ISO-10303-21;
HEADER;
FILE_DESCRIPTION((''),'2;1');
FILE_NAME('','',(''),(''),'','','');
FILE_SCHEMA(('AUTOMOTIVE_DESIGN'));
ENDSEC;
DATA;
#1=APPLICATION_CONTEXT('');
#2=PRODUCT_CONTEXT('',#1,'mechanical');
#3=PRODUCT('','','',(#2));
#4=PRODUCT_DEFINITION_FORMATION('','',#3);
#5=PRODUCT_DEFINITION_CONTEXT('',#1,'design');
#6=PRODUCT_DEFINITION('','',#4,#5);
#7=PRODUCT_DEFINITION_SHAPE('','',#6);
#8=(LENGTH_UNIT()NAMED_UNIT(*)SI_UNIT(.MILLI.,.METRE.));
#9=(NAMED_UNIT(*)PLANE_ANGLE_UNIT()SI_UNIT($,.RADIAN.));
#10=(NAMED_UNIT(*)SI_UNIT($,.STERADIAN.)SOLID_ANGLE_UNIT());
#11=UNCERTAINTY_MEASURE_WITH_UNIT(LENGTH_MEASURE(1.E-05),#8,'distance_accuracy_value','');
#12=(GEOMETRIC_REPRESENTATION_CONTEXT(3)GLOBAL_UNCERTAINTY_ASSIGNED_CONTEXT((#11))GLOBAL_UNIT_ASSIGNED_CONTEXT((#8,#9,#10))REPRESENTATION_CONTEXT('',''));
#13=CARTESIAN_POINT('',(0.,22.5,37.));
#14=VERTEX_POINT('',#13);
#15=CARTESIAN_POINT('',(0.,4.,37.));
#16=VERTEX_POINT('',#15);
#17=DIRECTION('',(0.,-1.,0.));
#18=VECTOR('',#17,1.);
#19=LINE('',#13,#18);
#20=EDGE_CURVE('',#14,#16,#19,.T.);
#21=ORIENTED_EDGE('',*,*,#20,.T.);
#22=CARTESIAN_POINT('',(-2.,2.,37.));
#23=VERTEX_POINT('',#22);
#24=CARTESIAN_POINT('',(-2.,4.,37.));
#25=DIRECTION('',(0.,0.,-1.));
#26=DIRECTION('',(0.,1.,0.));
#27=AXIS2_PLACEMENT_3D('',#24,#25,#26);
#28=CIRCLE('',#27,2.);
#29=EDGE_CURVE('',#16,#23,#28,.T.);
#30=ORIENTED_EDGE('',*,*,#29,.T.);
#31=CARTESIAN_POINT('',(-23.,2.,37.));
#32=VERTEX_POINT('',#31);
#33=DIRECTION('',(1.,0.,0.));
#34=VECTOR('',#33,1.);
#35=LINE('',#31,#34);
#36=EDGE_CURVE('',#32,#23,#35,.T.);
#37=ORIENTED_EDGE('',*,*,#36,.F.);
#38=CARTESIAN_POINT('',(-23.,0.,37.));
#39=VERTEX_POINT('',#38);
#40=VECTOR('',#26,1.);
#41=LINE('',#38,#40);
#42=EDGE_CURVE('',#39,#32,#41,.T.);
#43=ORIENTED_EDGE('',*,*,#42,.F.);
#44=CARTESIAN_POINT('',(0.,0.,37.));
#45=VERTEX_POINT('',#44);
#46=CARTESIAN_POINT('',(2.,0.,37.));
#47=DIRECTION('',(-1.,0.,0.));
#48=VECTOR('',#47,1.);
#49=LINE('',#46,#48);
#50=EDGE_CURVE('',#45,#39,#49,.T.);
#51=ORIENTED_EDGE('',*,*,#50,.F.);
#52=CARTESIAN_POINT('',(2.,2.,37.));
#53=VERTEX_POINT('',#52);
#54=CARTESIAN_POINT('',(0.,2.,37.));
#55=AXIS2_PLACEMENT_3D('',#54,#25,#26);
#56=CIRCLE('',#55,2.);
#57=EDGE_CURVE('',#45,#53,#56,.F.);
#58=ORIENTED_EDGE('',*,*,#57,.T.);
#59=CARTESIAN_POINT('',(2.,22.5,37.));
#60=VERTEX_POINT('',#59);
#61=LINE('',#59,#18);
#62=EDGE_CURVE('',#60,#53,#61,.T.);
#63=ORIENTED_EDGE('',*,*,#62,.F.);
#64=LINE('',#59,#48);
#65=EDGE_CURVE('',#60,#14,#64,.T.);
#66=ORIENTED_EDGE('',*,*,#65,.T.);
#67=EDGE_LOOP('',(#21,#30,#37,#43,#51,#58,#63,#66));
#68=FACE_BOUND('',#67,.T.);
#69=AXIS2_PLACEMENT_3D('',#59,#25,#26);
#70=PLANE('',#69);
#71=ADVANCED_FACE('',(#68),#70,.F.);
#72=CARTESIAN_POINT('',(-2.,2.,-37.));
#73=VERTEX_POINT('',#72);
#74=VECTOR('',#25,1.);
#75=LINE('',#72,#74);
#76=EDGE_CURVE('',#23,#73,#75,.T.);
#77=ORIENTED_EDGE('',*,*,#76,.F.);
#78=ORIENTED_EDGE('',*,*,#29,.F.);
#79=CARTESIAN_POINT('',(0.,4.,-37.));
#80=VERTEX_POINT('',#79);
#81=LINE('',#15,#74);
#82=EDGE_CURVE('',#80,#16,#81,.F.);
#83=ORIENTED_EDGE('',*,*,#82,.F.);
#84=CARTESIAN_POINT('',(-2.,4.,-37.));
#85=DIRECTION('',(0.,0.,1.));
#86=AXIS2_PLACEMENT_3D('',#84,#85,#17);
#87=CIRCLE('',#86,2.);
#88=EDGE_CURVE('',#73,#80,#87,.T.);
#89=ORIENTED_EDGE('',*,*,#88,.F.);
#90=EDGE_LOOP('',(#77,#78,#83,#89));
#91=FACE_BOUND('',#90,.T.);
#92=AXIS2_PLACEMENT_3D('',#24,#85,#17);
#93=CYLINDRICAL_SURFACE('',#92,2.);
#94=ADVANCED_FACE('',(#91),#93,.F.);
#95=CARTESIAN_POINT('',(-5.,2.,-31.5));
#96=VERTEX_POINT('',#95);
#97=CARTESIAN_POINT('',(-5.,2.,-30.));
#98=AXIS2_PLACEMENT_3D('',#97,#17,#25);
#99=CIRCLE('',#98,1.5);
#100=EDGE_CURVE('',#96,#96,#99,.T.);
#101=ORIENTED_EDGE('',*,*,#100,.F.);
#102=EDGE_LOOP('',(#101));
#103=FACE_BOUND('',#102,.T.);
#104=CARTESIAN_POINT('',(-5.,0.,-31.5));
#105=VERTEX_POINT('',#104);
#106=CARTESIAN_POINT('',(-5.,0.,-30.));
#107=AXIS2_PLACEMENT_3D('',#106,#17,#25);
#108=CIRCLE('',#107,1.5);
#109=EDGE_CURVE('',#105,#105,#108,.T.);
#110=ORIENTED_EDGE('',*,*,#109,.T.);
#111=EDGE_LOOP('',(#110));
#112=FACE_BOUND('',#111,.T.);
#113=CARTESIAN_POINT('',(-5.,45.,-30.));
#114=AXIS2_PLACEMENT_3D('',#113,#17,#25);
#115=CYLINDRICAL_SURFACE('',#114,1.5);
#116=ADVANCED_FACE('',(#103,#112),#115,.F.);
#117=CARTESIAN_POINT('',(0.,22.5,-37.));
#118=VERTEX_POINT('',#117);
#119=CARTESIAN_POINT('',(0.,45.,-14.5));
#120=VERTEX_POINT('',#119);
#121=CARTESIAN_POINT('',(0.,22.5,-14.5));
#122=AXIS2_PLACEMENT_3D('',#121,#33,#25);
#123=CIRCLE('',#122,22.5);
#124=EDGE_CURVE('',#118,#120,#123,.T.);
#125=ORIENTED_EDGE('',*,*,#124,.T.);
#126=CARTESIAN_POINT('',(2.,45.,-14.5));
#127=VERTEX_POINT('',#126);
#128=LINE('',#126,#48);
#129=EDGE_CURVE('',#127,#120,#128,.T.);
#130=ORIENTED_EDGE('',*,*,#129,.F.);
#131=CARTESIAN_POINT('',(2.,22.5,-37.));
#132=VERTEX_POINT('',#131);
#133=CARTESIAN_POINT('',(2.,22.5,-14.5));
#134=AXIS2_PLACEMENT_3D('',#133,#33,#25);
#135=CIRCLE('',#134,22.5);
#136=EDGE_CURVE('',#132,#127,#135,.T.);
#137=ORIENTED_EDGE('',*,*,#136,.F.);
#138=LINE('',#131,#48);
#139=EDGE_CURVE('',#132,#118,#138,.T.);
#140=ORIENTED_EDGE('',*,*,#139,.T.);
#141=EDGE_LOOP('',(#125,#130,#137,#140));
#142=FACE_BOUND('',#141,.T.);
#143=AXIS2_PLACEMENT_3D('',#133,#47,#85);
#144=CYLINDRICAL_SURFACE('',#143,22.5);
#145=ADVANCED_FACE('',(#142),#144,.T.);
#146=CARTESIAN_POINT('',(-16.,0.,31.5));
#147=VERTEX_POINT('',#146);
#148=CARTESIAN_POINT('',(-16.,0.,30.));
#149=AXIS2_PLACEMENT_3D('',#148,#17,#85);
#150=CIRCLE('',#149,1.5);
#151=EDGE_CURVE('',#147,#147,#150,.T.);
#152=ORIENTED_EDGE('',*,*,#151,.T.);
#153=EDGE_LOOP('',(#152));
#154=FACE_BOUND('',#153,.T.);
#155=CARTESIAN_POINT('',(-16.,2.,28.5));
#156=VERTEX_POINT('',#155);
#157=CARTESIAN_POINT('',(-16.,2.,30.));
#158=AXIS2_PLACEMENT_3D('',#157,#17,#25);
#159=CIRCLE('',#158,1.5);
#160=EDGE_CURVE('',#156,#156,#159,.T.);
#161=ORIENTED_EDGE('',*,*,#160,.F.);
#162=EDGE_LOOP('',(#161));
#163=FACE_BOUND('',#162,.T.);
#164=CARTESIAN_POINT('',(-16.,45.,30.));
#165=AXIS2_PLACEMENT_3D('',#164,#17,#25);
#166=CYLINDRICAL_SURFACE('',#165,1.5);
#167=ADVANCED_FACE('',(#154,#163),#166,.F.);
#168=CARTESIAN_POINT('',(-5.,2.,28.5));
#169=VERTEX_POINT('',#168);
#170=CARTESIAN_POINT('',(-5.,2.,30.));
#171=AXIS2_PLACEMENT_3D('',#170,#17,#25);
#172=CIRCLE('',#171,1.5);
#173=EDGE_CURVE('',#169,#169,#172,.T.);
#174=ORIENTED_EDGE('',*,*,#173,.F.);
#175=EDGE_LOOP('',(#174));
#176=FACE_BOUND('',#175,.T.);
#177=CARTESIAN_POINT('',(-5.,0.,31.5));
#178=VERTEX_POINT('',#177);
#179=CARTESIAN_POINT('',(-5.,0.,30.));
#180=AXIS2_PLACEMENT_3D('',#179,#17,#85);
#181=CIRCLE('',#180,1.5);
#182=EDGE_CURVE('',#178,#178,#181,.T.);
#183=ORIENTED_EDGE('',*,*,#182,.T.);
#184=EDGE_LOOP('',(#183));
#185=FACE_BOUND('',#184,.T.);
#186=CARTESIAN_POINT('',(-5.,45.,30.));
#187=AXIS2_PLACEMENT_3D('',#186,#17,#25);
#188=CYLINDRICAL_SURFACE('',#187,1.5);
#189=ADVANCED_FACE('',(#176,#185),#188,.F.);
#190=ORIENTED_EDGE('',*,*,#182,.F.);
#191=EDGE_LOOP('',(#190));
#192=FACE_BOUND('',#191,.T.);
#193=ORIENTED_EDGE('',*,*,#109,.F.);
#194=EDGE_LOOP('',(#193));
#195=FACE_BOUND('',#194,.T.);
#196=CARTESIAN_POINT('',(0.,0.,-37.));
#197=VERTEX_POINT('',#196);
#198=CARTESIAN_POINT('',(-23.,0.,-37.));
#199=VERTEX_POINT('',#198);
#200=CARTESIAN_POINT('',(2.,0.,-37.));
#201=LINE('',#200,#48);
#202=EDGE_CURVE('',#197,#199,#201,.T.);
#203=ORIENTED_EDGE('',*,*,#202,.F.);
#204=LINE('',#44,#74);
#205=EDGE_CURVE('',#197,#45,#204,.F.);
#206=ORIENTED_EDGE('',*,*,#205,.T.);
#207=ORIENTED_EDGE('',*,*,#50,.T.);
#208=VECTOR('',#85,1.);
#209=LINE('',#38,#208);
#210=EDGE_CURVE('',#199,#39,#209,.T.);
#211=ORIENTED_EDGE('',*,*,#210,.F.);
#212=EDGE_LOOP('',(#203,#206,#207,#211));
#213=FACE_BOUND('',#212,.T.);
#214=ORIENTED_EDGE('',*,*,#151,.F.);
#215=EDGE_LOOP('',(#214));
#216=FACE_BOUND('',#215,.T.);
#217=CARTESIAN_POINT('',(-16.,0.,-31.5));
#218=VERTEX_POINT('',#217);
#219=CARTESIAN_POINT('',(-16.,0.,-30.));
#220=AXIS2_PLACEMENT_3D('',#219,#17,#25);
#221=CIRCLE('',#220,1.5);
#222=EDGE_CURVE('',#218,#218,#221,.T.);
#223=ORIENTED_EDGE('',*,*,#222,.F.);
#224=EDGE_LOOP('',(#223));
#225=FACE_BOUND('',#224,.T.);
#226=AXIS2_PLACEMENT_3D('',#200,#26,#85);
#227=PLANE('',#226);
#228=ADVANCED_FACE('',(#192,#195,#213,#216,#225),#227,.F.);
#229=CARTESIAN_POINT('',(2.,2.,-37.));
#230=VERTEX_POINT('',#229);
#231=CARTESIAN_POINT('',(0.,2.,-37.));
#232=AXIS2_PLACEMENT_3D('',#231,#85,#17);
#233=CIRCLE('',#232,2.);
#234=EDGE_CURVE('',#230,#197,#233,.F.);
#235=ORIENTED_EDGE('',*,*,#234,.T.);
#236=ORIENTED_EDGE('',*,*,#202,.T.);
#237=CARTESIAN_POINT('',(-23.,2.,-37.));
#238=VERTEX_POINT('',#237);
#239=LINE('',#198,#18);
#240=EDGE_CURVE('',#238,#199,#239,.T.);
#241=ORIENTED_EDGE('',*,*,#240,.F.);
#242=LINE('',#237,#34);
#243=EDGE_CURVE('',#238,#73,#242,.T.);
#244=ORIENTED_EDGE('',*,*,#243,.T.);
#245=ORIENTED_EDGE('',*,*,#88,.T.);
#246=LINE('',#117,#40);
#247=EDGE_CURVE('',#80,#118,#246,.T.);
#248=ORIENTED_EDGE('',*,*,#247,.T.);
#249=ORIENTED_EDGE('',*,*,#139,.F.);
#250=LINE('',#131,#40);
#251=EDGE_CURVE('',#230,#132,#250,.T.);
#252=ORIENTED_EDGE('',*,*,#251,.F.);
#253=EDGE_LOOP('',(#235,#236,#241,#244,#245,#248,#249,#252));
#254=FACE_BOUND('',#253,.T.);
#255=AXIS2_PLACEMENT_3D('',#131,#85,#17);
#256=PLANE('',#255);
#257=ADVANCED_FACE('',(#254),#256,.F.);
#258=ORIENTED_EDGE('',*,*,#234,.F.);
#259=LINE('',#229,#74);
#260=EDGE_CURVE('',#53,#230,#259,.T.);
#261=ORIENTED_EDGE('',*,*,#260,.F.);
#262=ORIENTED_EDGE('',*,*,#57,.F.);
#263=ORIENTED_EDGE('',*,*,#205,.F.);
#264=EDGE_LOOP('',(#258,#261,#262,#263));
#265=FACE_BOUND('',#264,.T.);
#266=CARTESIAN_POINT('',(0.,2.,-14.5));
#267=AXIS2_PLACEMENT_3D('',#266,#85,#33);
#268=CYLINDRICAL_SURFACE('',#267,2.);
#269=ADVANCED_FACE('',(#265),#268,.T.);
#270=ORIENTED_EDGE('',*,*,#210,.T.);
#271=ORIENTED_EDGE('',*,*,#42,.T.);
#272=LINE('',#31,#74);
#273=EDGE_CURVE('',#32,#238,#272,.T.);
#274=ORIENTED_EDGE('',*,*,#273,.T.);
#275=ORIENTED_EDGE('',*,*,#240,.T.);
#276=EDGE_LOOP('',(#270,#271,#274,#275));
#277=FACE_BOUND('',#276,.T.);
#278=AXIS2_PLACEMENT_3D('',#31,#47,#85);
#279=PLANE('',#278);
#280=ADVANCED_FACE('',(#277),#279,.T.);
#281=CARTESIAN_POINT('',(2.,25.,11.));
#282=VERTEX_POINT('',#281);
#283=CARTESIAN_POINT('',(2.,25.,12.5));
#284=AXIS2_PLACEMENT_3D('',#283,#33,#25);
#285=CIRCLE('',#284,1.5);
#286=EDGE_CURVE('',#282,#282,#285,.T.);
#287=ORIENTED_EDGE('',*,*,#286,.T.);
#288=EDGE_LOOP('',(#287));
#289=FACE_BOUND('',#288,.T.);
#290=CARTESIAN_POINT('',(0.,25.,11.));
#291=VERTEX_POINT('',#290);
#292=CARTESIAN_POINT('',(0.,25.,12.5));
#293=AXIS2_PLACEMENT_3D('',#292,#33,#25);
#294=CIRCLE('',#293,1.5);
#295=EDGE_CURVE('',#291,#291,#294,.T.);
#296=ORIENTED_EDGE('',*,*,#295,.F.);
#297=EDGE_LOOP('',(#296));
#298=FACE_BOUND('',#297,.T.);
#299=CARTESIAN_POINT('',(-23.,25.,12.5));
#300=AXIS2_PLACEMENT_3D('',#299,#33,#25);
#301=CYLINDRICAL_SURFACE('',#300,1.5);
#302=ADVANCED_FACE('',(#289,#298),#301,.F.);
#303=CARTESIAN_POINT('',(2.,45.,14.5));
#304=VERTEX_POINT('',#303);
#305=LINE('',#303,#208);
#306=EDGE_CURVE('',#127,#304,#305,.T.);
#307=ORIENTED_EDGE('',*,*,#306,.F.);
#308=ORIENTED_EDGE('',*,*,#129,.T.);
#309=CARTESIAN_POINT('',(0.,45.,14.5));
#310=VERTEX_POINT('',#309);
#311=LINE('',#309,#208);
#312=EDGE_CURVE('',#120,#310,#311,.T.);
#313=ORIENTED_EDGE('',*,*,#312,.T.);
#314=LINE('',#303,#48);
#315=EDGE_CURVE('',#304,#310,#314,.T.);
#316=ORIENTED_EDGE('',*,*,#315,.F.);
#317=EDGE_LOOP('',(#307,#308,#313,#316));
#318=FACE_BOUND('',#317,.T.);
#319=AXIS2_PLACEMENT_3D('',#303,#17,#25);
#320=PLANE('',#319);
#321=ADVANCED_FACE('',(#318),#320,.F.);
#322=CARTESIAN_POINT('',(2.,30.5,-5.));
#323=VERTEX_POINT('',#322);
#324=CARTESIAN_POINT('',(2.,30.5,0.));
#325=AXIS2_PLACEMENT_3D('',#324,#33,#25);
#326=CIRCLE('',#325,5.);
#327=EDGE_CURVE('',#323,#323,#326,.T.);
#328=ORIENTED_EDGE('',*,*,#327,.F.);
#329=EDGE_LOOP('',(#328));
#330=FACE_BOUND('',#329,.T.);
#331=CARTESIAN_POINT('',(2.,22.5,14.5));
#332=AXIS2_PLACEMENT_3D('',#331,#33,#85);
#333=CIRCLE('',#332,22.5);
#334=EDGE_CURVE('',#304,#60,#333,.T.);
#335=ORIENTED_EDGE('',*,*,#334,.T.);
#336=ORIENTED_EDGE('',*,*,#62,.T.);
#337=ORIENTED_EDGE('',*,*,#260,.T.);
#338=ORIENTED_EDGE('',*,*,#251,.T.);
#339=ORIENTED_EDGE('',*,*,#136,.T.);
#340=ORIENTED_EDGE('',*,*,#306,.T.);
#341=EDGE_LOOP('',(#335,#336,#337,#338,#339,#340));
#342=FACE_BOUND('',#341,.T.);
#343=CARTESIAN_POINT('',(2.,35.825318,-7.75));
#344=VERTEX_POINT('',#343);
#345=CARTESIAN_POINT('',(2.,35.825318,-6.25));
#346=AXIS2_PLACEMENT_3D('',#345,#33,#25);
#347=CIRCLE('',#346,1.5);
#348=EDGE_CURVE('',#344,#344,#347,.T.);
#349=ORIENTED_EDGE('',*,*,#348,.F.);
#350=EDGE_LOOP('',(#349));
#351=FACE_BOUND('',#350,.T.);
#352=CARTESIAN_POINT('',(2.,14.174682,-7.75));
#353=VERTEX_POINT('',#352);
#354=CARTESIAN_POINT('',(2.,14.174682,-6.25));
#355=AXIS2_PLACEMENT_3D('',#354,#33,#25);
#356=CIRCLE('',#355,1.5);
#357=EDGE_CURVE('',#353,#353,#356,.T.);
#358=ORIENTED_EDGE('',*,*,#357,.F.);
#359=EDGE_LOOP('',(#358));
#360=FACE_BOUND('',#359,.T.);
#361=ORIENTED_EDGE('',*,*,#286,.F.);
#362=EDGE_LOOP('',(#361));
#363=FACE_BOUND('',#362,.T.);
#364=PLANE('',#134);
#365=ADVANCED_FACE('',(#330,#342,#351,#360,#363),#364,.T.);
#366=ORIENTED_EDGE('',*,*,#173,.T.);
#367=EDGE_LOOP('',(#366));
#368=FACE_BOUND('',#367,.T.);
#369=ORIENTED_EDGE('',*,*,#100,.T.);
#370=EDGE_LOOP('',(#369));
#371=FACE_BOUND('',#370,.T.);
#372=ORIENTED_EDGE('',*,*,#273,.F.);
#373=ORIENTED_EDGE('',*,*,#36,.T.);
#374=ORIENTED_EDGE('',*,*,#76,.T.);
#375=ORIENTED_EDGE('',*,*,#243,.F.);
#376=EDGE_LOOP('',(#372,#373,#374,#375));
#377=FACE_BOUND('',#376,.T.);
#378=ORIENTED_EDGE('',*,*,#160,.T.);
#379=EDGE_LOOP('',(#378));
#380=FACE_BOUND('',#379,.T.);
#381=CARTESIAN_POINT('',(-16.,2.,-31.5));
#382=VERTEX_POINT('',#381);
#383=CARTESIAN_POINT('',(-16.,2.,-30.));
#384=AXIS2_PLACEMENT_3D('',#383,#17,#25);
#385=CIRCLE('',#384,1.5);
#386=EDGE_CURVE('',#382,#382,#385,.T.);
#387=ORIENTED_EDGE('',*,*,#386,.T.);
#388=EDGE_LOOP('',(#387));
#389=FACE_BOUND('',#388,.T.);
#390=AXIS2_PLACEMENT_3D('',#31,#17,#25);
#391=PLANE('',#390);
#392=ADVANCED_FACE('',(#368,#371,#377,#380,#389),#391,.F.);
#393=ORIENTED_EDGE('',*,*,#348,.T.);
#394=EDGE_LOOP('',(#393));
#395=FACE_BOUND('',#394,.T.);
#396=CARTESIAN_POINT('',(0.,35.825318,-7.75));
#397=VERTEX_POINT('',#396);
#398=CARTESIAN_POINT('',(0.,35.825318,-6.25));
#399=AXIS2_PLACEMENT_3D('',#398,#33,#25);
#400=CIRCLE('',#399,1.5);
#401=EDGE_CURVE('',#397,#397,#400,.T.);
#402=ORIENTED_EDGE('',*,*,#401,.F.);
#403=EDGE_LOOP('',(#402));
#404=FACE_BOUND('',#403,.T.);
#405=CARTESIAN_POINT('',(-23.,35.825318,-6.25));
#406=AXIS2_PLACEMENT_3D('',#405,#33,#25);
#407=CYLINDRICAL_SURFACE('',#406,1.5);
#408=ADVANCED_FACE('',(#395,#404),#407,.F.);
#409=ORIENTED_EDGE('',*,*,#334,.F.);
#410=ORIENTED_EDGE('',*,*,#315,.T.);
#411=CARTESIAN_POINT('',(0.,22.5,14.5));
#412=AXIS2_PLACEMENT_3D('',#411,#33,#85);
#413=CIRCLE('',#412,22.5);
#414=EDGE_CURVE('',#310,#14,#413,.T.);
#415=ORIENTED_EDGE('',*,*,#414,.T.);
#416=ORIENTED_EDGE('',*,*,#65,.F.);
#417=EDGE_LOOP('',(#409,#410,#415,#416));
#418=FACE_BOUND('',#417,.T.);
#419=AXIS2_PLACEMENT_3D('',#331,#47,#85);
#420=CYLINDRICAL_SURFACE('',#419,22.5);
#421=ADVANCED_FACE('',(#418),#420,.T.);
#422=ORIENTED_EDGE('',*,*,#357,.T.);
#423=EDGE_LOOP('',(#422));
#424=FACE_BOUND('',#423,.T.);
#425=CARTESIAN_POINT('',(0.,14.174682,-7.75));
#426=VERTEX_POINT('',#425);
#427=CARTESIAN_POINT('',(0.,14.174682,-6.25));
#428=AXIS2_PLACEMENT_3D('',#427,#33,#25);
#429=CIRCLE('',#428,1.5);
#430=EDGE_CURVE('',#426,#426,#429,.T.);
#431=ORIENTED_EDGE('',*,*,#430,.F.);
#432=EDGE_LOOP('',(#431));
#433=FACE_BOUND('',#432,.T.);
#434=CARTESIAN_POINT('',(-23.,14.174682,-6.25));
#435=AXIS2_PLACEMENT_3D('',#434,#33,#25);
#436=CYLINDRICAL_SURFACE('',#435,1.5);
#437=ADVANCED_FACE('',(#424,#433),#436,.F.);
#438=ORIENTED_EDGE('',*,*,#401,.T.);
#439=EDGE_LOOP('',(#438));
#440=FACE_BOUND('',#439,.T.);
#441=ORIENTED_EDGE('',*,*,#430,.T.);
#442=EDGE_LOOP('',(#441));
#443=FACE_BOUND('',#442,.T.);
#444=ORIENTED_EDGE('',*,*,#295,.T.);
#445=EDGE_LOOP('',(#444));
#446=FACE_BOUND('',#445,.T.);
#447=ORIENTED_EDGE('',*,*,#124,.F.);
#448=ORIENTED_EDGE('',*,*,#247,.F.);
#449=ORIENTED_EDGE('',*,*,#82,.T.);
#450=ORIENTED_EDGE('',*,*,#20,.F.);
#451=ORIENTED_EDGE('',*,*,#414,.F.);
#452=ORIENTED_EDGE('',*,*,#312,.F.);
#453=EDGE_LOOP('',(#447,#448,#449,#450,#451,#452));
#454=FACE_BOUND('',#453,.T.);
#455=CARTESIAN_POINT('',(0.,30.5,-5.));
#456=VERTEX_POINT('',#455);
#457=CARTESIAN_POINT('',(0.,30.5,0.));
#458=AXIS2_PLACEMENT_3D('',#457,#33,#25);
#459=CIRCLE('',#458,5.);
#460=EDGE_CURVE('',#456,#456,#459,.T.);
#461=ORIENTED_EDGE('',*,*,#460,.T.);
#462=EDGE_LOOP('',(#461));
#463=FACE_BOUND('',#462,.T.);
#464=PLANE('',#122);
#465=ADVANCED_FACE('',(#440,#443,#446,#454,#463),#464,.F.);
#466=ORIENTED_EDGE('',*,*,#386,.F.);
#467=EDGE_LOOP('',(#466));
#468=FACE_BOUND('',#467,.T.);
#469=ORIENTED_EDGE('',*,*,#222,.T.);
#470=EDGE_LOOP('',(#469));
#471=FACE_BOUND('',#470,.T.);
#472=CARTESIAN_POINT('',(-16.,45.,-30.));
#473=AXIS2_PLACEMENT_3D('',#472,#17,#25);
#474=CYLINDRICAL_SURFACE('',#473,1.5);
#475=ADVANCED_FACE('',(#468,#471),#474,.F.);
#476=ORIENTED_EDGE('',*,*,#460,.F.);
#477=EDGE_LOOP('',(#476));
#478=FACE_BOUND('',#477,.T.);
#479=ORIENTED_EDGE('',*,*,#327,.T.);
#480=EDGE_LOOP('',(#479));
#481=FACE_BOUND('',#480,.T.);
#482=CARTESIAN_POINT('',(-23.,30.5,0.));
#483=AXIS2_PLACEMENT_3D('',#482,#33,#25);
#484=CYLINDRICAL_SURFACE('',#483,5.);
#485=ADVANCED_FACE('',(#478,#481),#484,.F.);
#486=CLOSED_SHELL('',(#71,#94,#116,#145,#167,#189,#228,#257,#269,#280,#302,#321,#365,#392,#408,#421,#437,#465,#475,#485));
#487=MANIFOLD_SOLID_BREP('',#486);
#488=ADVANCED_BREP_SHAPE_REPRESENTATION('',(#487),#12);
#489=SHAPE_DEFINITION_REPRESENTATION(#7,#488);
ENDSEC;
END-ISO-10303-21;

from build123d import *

# Parameters (mm, degrees)
BOSS_EXTRUDE1_DEPTH = 2
SKETCH2_W           = 74
SKETCH2_H           = 2
BOSS_EXTRUDE2_DEPTH = 23
FILLET1_R           = 2
SKETCH3_R           = 5
SKETCH3_R_2         = 1.5
CUT_EXTRUDE1_DEPTH  = 26
SKETCH5_R           = 1.5
CUT_EXTRUDE2_DEPTH  = 46


with BuildPart() as part:
    # Sketch1 → Boss-Extrude1 (new body)
    with BuildSketch(Plane(origin=(0, 0, 0), x_dir=(0, 0, -1), z_dir=(1, 0, 0))):
        with BuildLine():
            Line((-14.5, 45), (14.5, 45))
            ThreePointArc((14.5, 45), (30.409902577, 38.409902577), (37, 22.5))
            Line((37, 22.5), (37, 0))
            Line((37, 0), (-37, 0))
            Line((-37, 0), (-37, 22.5))
            ThreePointArc((-37, 22.5), (-30.409902577, 38.409902577), (-14.5, 45))
        make_face()
    extrude(amount=BOSS_EXTRUDE1_DEPTH)

    # Sketch2 → Boss-Extrude2 (add)
    with BuildSketch(Plane.ZY):
        with Locations((0, 1)):
            Rectangle(SKETCH2_W, SKETCH2_H)
    extrude(amount=BOSS_EXTRUDE2_DEPTH)

    # Fillet1
    fillet1_edges = [part.edges().sort_by_distance(p)[0] for p in [
        (2, 0, 0),
        (0, 2, 0),
    ]]
    fillet(fillet1_edges, radius=FILLET1_R)

    # Sketch3 → Cut-Extrude1 (cut, through all)
    with BuildSketch(Plane(origin=(2, 0, 0), x_dir=(0, 0, -1), z_dir=(1, 0, 0))):
        with Locations((0, 30.5)):
            Circle(SKETCH3_R)
        with Locations((6.25, 35.825317547)):
            Circle(SKETCH3_R_2)
        with Locations((6.25, 14.174682453)):
            Circle(SKETCH3_R_2)
        with Locations((-12.5, 25)):
            Circle(SKETCH3_R_2)
    extrude(amount=-CUT_EXTRUDE1_DEPTH, mode=Mode.SUBTRACT)

    # Sketch5 → Cut-Extrude2 (cut, through all)
    with BuildSketch(Plane.XZ):
        with Locations((-16, -30)):
            Circle(SKETCH5_R)
        with Locations((-5, -30)):
            Circle(SKETCH5_R)
        with Locations((-5, 30)):
            Circle(SKETCH5_R)
        with Locations((-16, 30)):
            Circle(SKETCH5_R)
    extrude(amount=-CUT_EXTRUDE2_DEPTH, mode=Mode.SUBTRACT)


solid = part.part
